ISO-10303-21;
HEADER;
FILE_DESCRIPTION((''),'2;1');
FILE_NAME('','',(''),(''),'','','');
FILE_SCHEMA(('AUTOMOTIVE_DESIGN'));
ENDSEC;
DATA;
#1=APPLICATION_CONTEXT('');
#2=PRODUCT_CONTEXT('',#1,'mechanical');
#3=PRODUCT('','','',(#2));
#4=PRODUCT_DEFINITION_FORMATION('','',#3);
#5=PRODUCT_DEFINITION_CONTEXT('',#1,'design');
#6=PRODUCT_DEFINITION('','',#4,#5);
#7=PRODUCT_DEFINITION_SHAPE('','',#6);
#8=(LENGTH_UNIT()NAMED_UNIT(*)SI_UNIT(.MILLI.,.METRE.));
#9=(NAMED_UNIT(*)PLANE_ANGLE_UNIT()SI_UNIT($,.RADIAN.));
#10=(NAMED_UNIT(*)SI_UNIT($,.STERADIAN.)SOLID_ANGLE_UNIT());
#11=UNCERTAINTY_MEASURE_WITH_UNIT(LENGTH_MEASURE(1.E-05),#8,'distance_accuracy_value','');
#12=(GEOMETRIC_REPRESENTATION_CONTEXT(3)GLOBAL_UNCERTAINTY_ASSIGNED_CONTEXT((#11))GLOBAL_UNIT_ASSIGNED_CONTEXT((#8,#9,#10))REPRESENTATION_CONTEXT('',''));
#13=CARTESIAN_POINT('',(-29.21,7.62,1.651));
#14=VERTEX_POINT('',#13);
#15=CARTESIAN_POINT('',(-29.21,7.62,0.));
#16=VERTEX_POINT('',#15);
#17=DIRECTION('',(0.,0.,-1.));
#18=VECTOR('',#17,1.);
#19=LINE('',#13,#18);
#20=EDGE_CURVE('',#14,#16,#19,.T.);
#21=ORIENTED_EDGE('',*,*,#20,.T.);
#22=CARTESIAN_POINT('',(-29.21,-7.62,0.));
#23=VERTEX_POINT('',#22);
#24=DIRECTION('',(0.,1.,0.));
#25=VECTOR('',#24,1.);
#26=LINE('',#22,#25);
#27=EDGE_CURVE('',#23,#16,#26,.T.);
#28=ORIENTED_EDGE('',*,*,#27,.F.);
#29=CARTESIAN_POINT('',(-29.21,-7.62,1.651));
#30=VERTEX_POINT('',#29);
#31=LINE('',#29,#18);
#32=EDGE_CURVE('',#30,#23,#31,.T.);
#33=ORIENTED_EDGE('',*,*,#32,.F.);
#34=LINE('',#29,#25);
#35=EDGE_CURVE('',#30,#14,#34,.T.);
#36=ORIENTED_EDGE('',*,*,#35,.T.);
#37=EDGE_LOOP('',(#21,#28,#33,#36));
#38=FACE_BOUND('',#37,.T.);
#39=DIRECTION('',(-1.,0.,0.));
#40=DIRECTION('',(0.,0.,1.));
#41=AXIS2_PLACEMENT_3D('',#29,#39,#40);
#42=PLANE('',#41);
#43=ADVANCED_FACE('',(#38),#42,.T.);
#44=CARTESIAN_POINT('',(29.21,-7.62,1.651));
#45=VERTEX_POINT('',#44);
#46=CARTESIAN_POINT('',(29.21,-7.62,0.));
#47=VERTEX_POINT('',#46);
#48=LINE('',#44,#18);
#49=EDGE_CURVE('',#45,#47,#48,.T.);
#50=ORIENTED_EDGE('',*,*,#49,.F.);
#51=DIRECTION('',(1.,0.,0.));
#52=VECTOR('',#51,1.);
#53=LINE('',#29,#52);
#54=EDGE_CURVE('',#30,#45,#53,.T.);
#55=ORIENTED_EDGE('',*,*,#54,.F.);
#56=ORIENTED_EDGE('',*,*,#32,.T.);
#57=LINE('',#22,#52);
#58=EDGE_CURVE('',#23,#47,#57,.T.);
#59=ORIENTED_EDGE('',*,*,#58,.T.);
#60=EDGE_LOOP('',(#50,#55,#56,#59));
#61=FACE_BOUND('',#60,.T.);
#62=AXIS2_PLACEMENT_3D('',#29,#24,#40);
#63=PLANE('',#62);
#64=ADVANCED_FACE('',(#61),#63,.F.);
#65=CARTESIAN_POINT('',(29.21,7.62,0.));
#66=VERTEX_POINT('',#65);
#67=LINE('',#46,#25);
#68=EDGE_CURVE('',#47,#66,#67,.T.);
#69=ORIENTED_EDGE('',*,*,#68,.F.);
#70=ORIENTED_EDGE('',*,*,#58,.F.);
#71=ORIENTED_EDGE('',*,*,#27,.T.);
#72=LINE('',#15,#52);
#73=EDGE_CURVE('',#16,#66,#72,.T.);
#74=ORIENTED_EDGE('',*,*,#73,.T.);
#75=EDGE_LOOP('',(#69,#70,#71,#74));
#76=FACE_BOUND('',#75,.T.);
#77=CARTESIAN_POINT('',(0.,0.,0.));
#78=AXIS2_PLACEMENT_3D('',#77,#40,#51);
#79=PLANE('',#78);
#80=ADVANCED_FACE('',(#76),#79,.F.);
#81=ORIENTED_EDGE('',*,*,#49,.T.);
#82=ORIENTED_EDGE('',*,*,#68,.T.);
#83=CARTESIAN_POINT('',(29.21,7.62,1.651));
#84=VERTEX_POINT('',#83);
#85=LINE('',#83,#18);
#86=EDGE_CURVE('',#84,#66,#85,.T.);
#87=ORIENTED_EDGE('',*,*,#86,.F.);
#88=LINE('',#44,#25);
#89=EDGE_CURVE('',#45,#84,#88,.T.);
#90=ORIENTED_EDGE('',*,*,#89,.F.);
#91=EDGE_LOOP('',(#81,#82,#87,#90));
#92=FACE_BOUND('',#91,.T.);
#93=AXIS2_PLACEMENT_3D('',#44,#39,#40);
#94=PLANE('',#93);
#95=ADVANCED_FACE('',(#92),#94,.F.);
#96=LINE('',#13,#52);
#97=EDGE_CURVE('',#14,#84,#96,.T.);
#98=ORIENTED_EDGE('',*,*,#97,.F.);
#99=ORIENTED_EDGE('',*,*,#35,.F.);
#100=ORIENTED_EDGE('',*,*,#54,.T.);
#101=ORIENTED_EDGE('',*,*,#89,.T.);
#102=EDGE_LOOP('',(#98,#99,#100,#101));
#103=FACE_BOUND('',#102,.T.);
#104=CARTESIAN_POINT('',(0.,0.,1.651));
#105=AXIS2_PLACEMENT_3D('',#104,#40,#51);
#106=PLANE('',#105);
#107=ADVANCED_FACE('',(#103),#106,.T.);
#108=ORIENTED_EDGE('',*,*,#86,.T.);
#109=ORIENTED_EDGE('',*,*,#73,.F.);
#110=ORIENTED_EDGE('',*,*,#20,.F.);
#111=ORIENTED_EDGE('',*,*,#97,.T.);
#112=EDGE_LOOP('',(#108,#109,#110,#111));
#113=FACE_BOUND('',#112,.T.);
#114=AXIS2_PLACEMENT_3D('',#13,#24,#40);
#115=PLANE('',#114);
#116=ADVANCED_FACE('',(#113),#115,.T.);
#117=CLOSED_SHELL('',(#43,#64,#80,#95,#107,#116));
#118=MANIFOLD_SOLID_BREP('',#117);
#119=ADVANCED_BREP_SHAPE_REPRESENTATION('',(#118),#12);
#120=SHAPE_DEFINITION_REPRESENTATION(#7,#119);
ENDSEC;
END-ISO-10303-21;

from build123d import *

# Parameters (mm, degrees)
SKETCH1_W           = 58.42
SKETCH1_H           = 15.24
BOSS_EXTRUDE1_DEPTH = 1.651


with BuildPart() as part:
    # Sketch1 → Boss-Extrude1 (new body)
    with BuildSketch(Plane.XY):
        Rectangle(SKETCH1_W, SKETCH1_H)
    extrude(amount=BOSS_EXTRUDE1_DEPTH)


solid = part.part
